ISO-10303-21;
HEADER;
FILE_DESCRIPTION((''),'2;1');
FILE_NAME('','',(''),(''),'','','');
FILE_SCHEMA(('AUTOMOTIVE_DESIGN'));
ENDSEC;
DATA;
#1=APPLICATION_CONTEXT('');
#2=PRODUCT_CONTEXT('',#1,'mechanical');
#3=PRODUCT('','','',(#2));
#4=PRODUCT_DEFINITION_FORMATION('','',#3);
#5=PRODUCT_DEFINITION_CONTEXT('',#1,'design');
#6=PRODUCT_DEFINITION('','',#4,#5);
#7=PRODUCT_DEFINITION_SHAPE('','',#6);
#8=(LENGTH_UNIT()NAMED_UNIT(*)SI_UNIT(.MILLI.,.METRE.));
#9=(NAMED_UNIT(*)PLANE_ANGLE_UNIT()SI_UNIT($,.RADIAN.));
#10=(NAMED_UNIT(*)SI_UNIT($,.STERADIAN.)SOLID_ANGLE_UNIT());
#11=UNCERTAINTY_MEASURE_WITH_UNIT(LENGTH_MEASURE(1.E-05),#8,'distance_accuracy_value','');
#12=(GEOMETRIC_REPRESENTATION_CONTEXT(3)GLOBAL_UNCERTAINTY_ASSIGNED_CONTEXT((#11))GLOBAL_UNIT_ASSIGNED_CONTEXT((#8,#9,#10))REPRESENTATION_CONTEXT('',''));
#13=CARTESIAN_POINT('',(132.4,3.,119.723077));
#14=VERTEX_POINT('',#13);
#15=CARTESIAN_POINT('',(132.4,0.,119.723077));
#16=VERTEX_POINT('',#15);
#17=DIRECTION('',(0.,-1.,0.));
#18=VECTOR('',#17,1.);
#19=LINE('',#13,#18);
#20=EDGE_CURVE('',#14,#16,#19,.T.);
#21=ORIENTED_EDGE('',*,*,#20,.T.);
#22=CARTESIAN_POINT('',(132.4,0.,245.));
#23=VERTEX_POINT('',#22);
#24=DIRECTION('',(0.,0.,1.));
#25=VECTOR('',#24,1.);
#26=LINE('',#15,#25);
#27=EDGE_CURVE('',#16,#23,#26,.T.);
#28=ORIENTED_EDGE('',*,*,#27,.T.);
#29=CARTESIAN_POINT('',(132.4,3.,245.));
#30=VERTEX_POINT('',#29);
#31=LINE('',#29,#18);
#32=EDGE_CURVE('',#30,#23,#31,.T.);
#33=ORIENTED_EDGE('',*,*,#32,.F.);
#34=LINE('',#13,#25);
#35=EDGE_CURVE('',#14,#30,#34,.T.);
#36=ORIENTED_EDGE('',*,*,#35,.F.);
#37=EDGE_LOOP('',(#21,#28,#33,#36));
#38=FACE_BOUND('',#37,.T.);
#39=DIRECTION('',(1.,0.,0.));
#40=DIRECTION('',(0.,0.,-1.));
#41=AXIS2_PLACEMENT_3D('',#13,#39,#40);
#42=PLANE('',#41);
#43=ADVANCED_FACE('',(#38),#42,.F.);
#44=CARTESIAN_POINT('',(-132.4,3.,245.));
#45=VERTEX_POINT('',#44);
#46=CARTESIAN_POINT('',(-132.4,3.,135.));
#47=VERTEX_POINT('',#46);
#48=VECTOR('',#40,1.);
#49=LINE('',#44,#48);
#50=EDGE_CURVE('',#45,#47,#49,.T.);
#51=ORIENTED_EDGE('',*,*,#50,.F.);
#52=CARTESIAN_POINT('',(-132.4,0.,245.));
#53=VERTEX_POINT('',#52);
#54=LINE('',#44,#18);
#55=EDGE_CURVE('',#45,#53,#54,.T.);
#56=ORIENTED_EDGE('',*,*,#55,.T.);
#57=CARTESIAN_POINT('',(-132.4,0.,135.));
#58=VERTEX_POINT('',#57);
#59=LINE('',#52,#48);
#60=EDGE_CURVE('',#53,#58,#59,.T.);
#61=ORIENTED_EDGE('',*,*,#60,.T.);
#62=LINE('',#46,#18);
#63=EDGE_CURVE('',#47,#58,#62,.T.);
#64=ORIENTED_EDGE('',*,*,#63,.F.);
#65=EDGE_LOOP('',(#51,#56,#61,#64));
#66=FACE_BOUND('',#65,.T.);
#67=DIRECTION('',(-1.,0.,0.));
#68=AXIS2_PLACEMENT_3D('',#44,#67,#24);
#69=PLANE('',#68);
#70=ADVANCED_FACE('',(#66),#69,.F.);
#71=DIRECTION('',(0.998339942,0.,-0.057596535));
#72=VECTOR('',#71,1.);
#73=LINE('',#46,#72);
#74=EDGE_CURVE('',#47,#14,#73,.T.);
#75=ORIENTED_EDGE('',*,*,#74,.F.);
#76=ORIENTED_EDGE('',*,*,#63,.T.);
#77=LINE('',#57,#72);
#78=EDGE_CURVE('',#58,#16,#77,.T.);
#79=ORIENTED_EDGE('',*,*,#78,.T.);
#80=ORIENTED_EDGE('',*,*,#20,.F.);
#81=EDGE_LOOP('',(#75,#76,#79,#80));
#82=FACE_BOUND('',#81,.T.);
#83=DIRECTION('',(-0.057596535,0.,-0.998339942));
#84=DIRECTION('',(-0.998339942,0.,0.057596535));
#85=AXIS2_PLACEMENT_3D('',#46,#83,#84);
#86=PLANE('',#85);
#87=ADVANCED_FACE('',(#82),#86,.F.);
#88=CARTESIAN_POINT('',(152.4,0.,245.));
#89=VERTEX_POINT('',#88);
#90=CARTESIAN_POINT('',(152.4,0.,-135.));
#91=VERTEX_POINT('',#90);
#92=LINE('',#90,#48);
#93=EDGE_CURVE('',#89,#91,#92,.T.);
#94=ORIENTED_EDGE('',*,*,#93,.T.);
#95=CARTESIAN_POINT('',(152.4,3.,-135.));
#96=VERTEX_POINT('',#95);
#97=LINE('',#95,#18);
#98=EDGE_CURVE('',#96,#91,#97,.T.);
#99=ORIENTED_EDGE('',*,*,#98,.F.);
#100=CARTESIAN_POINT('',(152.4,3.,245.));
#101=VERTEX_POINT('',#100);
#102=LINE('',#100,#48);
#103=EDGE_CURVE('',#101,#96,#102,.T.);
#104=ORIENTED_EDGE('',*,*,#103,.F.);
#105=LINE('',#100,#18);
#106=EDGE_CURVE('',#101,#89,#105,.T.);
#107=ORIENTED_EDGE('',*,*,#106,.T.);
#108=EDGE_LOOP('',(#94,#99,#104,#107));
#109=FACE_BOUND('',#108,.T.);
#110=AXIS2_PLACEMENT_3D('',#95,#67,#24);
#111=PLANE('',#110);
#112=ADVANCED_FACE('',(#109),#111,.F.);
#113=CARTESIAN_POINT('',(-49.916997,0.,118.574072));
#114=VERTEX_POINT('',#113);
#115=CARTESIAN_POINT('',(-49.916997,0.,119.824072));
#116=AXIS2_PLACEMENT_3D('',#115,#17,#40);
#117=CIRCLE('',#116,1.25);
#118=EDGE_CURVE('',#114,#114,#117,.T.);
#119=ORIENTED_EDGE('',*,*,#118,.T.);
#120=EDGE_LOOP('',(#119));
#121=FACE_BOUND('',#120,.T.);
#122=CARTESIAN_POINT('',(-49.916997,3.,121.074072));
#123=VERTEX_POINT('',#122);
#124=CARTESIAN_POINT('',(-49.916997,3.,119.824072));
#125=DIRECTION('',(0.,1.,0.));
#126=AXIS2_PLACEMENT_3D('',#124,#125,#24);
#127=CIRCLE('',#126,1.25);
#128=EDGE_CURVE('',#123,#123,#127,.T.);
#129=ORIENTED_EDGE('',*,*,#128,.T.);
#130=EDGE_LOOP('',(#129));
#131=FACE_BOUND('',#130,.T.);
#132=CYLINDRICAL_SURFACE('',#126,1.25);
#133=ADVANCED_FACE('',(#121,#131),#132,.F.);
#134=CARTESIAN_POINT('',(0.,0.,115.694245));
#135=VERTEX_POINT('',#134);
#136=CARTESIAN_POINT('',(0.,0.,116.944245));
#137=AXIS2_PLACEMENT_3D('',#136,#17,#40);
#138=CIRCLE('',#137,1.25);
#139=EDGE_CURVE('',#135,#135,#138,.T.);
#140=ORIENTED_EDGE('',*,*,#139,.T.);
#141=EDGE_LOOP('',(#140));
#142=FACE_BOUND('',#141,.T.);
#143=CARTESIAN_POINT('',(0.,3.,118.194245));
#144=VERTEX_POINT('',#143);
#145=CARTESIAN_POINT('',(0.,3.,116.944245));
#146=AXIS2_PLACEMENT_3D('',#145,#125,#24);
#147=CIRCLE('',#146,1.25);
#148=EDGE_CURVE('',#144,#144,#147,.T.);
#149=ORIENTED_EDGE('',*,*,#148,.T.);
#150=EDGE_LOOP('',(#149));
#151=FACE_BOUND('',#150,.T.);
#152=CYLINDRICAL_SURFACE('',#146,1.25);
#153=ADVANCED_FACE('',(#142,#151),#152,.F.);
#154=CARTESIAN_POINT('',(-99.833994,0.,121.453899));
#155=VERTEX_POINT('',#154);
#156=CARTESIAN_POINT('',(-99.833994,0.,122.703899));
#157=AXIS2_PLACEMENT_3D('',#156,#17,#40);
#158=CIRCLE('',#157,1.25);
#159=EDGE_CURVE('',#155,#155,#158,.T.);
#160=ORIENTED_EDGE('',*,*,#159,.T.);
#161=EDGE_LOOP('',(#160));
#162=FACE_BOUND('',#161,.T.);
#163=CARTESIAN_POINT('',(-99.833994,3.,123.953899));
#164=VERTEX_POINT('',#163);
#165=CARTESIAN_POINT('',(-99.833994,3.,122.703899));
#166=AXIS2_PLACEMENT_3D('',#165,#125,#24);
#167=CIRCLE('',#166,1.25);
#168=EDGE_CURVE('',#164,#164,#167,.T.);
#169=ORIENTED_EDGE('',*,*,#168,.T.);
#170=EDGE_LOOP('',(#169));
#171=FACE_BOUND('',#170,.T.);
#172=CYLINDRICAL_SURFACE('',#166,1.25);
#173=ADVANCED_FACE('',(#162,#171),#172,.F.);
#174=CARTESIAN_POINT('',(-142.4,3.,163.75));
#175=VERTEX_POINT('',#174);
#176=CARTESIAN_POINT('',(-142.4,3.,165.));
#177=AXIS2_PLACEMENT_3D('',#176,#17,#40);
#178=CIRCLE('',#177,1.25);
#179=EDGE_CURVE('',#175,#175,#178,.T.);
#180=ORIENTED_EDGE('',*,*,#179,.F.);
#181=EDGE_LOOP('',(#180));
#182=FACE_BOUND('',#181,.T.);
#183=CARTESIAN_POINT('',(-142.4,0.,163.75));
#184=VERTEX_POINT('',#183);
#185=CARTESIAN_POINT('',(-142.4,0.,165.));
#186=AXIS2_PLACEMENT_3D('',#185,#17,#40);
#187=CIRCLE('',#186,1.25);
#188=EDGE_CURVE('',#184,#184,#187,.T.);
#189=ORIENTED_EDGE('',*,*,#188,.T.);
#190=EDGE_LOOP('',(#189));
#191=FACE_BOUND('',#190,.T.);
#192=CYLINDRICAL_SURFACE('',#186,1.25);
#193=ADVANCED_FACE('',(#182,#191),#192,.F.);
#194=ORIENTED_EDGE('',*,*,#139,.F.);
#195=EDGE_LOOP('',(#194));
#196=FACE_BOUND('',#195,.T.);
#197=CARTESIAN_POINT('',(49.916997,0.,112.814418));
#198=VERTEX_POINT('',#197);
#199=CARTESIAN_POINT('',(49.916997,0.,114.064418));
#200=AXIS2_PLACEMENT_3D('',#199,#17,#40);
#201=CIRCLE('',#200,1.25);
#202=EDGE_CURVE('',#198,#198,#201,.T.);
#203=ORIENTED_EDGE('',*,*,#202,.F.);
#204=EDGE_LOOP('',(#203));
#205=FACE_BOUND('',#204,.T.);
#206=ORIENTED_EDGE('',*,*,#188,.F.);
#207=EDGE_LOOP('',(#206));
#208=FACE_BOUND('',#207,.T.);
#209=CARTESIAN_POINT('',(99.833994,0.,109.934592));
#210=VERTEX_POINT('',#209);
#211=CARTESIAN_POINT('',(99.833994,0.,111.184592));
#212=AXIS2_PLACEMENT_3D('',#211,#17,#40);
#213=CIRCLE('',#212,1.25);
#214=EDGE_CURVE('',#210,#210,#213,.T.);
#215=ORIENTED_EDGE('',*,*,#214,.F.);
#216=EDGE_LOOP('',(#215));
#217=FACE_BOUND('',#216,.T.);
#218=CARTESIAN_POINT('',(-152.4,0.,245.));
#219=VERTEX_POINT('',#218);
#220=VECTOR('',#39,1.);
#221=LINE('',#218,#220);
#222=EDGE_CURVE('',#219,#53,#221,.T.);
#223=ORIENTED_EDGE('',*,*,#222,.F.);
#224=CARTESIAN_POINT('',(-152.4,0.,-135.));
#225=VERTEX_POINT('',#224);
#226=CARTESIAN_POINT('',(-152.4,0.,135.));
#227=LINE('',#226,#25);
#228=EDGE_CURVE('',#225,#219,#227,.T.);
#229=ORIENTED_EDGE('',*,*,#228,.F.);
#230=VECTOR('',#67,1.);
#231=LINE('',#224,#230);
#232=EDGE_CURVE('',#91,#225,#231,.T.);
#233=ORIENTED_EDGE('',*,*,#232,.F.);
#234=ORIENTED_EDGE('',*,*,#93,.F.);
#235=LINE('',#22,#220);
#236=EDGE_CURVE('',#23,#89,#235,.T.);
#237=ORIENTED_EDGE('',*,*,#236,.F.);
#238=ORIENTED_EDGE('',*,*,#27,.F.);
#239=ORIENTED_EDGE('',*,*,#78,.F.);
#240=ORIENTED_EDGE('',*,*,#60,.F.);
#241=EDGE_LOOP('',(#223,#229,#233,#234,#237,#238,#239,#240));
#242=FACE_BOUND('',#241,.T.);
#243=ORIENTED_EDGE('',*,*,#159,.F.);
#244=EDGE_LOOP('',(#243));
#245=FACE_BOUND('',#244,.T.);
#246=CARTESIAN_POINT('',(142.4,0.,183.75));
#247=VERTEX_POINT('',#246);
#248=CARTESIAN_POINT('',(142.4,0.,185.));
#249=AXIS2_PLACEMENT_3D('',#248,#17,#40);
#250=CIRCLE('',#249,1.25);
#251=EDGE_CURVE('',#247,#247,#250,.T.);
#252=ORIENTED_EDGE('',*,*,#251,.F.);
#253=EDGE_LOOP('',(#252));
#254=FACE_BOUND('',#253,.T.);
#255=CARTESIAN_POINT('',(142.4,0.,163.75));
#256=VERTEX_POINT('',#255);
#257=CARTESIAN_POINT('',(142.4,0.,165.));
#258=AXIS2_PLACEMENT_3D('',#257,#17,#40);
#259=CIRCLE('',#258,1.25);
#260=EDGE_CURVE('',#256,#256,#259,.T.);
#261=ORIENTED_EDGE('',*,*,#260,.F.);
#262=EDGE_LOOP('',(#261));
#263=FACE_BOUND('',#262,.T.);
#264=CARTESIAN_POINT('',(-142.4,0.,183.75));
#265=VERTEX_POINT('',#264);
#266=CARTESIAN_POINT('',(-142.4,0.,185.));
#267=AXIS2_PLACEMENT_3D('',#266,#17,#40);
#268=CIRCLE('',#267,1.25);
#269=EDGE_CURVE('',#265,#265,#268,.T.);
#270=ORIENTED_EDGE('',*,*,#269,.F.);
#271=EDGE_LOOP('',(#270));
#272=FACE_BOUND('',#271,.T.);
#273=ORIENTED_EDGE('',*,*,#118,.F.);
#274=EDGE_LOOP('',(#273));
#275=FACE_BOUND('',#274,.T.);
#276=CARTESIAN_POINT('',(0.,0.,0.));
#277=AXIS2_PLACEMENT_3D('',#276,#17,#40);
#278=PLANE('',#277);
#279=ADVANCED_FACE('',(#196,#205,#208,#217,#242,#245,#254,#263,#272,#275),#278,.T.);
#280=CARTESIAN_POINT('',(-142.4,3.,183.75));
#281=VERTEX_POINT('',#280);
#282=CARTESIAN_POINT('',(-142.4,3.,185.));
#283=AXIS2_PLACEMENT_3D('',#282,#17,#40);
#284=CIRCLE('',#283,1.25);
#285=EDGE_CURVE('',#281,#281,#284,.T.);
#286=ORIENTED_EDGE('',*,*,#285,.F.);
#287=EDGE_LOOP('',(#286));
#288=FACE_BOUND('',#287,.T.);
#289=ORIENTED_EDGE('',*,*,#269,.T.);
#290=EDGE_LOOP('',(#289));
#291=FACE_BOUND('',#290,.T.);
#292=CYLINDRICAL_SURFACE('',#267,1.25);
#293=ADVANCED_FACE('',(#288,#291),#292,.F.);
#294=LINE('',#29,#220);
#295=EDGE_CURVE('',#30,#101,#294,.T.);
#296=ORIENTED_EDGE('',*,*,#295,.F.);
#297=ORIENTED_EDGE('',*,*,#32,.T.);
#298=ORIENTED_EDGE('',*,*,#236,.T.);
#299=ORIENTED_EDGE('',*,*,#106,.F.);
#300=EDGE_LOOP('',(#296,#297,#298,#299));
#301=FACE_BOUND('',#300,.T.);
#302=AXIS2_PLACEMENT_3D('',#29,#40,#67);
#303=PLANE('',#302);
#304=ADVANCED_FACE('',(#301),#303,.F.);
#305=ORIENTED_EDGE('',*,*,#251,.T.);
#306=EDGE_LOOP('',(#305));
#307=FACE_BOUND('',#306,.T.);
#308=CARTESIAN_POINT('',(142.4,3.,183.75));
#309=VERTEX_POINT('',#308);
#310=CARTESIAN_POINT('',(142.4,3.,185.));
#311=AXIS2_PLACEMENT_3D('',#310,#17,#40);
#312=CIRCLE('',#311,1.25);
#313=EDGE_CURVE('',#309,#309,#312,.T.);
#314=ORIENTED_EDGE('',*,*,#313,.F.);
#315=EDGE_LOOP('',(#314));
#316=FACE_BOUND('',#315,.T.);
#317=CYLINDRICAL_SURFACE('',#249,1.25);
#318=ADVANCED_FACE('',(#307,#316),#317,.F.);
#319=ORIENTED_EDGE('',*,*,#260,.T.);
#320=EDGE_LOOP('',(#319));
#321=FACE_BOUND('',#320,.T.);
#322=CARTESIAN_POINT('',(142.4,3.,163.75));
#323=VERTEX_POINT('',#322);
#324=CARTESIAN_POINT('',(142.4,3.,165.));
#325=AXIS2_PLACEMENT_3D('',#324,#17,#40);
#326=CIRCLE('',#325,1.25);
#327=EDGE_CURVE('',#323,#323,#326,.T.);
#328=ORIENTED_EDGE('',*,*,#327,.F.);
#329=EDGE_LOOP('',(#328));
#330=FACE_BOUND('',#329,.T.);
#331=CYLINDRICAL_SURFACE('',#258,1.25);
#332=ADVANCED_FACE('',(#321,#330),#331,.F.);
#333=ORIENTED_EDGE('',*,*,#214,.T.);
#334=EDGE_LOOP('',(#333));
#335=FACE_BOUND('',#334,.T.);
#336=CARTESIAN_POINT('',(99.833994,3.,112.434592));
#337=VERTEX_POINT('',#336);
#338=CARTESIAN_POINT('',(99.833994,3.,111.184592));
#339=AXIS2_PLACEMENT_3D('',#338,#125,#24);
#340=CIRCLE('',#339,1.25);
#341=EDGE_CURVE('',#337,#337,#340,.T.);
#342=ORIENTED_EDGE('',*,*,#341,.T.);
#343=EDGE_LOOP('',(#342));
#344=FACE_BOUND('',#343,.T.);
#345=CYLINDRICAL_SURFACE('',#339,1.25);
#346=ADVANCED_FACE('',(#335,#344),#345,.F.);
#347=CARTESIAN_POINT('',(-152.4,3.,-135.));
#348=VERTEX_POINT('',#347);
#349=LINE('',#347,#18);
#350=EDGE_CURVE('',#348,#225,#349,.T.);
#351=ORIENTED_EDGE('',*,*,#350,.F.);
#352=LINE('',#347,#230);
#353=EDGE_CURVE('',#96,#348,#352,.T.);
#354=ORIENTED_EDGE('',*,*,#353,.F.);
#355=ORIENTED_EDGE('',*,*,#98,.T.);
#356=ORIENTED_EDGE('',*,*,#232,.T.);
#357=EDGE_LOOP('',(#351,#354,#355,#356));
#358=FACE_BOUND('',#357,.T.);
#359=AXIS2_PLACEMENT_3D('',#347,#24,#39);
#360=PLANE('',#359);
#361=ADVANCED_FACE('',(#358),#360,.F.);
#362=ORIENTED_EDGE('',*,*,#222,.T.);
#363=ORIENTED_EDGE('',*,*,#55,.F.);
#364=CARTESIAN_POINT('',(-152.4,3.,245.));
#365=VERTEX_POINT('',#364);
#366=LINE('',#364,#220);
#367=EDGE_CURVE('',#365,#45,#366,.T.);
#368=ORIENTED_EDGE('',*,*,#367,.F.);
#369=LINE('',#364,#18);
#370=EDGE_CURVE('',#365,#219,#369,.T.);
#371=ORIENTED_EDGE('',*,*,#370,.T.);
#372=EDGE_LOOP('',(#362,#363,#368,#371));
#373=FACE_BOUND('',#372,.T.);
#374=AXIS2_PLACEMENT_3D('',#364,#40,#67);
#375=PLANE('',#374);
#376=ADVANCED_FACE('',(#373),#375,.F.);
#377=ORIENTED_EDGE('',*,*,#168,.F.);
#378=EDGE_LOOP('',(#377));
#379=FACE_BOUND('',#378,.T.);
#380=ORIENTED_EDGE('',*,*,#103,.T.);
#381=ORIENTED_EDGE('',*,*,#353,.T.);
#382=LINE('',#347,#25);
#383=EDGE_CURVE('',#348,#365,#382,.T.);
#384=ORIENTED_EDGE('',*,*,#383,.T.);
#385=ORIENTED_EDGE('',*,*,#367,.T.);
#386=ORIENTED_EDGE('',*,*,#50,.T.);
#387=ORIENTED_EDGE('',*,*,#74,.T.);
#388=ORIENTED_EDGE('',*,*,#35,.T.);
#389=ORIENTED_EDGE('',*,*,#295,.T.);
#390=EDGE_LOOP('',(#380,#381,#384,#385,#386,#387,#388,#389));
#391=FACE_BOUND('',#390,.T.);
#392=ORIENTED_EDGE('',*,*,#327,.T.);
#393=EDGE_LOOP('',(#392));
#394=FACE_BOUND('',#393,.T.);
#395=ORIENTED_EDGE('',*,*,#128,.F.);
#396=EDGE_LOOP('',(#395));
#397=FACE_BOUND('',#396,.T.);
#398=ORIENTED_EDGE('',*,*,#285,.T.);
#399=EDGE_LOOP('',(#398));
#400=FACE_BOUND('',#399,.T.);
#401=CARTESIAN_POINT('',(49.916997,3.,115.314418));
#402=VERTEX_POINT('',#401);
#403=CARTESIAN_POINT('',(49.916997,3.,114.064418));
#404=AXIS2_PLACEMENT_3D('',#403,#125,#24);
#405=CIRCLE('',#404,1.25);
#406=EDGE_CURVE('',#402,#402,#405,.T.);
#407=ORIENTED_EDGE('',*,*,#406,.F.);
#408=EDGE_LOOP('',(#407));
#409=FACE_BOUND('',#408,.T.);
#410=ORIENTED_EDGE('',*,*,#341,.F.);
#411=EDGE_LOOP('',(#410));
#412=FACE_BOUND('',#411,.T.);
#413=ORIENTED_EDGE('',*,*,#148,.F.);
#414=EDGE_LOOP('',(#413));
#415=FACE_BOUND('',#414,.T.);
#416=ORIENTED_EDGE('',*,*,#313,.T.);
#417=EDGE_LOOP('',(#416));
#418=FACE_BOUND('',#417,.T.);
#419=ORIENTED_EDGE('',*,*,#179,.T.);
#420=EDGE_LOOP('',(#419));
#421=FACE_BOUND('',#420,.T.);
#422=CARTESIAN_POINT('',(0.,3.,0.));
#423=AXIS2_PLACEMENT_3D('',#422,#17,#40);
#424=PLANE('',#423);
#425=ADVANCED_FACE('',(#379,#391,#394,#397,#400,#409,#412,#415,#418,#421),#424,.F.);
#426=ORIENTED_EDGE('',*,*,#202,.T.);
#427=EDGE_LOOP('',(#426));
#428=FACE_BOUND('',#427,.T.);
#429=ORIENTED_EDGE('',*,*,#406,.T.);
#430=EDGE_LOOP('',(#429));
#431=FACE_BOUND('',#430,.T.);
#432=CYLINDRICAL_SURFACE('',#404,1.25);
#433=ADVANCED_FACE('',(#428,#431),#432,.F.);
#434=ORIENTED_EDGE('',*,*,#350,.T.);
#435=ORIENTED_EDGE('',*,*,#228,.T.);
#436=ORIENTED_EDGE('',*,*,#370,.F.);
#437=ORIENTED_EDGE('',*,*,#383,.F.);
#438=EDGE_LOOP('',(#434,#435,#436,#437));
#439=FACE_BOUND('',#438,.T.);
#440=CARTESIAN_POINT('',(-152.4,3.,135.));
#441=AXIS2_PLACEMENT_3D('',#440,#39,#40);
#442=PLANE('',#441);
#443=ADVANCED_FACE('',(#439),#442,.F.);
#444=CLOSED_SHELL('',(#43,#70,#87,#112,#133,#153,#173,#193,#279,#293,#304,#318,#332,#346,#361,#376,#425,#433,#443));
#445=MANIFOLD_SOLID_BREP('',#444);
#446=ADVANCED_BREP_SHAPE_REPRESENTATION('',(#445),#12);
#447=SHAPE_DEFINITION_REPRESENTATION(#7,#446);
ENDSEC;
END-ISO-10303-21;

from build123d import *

# Parameters (mm, degrees)
BOSS_EXTRUDE1_DEPTH               = 3
BRUSH_HOLDER_MOUNTING_HOLES_D     = 2.5
BRUSH_HOLDER_MOUNTING_HOLES_DEPTH = 7.5
BRUSH_HOLDER_MOUNTING_HOLES_TIP   = 0.751075774
OMNI_BEARING_HOLES_D              = 2.5
OMNI_BEARING_HOLES_DEPTH          = 7.5
OMNI_BEARING_HOLES_TIP            = 0.751075774


with BuildPart() as part:
    # Sketch1 → Boss-Extrude1 (new body)
    with BuildSketch(Plane(origin=(0, 0, 0), x_dir=(1, 0, 0), z_dir=(0, 1, 0))):
        Polygon((-152.4, -135), (-152.4, -245), (-132.4, -245), (-132.4, -135), (132.4, -119.723076923), (132.4, -245), (152.4, -245), (152.4, -135), (152.4, 135), (-152.4, 135), align=None)
    extrude(amount=BOSS_EXTRUDE1_DEPTH)

    # Brush Holder Mounting Holes
    with Locations(Plane(origin=(0, 3, 0), x_dir=(1, 0, 0), z_dir=(0, 1, 0))):
        with Locations((0, -116.944245147), (-49.916997084, -119.824071902), (-99.833994168, -122.703898657), (49.916997084, -114.064418392), (99.833994168, -111.184591637)):
            Hole(BRUSH_HOLDER_MOUNTING_HOLES_D / 2, depth=BRUSH_HOLDER_MOUNTING_HOLES_DEPTH)
            with Locations((0, 0, -(BRUSH_HOLDER_MOUNTING_HOLES_DEPTH + BRUSH_HOLDER_MOUNTING_HOLES_TIP / 2))):  # 118° drill point
                Cone(0, BRUSH_HOLDER_MOUNTING_HOLES_D / 2, BRUSH_HOLDER_MOUNTING_HOLES_TIP, mode=Mode.SUBTRACT)

    # Omni-Bearing Holes
    with Locations(Plane(origin=(0, 0, 0), x_dir=(-1, 0, 0), z_dir=(0, -1, 0))):
        with Locations((-142.4, -165), (-142.4, -185), (142.4, -165), (142.4, -185)):
            Hole(OMNI_BEARING_HOLES_D / 2, depth=OMNI_BEARING_HOLES_DEPTH)
            with Locations((0, 0, -(OMNI_BEARING_HOLES_DEPTH + OMNI_BEARING_HOLES_TIP / 2))):  # 118° drill point
                Cone(0, OMNI_BEARING_HOLES_D / 2, OMNI_BEARING_HOLES_TIP, mode=Mode.SUBTRACT)


solid = part.part
